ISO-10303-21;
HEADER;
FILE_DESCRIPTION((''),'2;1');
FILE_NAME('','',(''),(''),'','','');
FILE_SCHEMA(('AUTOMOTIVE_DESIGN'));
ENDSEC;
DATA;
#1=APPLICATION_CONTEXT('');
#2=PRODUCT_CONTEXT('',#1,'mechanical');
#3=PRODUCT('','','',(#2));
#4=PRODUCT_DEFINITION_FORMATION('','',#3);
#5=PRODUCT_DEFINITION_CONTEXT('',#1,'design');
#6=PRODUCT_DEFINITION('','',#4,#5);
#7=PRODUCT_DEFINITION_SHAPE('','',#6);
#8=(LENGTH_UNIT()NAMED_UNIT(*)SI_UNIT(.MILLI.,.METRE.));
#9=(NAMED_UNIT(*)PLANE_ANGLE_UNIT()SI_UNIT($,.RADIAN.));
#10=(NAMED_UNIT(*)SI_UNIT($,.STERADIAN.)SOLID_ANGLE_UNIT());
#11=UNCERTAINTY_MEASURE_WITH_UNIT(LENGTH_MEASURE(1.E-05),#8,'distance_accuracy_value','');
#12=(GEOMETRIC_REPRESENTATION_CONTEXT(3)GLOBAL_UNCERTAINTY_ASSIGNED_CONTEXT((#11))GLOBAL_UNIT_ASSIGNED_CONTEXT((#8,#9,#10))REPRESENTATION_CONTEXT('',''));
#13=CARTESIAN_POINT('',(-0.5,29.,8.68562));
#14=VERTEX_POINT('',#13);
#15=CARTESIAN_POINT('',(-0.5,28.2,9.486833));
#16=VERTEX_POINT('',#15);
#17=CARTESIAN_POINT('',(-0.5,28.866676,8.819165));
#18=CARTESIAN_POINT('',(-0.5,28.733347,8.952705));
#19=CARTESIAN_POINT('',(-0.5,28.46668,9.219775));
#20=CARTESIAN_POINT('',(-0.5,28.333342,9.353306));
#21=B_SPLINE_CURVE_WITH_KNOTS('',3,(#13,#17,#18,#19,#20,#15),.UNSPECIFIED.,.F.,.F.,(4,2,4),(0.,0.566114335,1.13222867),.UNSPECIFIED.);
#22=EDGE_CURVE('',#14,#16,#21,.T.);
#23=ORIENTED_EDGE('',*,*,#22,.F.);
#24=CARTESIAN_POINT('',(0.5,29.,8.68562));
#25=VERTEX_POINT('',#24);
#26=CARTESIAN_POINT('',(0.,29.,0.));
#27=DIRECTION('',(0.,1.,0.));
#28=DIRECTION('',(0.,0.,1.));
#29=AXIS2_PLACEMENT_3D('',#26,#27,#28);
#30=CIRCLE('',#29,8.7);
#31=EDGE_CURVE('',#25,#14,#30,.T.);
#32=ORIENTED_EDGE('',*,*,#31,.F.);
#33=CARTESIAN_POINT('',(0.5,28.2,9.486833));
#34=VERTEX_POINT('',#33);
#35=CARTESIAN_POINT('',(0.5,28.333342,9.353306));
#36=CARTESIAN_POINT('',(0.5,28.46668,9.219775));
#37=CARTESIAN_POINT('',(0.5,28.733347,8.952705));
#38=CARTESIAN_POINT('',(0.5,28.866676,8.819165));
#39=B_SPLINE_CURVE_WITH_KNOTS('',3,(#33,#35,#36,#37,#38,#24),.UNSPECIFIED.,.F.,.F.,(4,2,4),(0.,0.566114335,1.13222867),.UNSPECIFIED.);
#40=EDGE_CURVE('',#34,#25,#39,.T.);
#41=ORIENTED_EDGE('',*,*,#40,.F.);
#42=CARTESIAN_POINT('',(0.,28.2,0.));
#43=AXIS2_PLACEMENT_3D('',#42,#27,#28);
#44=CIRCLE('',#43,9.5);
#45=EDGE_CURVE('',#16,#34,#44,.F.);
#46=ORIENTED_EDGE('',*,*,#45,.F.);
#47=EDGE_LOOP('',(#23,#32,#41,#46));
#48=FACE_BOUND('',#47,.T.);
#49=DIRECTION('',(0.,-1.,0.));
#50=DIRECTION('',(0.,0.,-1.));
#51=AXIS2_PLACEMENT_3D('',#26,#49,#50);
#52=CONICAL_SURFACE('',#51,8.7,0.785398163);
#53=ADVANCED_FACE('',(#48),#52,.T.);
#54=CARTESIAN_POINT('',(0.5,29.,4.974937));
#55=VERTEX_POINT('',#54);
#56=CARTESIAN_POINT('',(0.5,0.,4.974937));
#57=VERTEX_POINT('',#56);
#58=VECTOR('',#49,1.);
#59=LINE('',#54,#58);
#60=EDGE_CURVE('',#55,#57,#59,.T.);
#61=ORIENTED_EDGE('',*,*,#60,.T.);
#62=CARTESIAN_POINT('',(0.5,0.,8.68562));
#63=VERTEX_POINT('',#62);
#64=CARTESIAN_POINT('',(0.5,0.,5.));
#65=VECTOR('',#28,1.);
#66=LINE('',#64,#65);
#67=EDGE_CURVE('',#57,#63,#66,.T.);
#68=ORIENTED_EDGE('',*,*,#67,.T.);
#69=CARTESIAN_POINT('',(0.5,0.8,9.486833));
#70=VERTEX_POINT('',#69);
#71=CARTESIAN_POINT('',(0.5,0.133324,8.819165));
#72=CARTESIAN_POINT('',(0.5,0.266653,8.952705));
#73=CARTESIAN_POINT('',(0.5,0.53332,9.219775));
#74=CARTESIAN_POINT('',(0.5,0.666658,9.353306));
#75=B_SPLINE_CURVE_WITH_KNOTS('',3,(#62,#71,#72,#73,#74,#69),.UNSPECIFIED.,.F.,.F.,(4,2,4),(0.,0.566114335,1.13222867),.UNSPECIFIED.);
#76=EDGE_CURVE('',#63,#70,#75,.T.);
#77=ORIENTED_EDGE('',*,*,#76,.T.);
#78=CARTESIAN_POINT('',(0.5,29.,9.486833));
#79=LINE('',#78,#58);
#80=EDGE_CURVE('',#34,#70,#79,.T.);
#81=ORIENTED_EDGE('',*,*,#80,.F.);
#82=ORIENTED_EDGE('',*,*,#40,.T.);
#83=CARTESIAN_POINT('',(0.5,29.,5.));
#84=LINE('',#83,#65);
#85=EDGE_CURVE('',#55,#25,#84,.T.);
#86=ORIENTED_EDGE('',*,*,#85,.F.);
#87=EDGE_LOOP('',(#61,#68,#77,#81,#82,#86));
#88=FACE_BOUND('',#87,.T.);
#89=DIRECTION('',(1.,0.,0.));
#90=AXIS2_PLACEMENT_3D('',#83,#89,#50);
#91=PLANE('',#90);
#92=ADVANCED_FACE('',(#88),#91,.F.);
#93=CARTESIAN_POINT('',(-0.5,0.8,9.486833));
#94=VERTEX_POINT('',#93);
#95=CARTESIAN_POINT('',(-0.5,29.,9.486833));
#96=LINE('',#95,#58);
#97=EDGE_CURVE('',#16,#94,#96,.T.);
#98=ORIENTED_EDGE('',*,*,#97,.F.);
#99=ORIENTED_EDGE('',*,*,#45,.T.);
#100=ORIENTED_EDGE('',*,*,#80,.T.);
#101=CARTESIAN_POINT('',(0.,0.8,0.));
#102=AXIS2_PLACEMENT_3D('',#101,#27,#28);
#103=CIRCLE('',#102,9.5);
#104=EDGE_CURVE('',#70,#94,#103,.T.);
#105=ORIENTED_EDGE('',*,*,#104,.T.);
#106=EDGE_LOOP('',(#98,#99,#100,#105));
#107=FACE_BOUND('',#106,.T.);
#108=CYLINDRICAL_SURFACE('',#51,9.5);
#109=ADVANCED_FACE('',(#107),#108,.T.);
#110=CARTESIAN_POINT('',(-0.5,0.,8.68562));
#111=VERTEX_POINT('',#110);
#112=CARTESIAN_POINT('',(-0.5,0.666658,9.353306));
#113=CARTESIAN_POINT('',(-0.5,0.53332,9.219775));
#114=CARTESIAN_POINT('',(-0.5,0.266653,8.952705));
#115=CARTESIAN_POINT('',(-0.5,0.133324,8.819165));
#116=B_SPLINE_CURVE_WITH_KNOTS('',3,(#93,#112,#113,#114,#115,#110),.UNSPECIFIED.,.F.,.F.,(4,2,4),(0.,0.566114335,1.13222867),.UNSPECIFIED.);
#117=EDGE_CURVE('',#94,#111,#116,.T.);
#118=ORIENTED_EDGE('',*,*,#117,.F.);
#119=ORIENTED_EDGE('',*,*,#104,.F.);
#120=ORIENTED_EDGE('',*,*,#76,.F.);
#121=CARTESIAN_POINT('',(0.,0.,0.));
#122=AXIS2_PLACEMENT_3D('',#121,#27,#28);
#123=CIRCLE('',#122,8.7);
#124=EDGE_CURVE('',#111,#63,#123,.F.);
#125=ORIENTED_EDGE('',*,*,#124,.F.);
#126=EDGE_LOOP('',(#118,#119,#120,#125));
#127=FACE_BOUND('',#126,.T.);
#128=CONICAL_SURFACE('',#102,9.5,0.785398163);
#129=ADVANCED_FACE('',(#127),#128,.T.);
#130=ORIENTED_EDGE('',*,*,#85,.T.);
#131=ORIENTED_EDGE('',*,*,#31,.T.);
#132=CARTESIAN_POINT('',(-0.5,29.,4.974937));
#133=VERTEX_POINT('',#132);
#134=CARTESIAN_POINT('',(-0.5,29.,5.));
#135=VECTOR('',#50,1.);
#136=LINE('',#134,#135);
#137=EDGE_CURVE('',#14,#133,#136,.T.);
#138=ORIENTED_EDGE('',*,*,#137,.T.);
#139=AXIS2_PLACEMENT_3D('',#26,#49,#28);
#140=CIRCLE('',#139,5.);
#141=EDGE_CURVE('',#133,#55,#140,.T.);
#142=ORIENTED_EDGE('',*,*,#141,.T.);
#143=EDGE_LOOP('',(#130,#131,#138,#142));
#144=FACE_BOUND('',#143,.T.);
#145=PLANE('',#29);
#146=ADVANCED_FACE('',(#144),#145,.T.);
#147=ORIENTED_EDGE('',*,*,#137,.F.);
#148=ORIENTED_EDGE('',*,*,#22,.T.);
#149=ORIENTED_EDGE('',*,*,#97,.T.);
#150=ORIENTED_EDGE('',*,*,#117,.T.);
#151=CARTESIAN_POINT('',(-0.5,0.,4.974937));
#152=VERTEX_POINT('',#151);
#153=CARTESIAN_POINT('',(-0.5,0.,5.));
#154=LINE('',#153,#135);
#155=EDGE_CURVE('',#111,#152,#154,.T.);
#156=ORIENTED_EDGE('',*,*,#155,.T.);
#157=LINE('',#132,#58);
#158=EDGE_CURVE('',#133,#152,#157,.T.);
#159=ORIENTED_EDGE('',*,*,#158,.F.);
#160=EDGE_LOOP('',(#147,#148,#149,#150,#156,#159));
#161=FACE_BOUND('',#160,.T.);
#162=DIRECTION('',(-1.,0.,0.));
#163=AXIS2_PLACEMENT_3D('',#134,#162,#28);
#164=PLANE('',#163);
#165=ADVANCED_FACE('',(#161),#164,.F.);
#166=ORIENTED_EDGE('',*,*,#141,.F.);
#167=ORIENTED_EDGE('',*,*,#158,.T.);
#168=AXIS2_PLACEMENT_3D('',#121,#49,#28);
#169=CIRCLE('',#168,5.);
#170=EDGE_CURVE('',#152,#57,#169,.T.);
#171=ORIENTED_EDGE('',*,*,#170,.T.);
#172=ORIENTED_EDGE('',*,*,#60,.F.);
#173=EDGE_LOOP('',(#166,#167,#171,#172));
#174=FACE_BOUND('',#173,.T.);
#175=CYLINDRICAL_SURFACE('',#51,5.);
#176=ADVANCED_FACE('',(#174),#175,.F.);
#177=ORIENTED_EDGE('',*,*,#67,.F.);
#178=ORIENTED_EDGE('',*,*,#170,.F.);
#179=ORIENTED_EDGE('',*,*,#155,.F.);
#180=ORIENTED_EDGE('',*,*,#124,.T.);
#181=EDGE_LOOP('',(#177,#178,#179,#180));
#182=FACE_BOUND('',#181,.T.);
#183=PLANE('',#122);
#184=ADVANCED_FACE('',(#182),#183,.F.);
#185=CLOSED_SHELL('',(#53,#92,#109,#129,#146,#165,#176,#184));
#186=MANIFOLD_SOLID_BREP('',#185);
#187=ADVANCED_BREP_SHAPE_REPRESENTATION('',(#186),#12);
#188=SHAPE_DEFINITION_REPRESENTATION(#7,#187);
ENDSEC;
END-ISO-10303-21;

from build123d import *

# Parameters (mm, degrees)
BOSS_EXTRUDE1_DEPTH = 29
CHAMFER1_SIZE       = 0.8


with BuildPart() as part:
    # Sketch1 → Boss-Extrude1 (new body)
    with BuildSketch(Plane(origin=(0, 0, 0), x_dir=(1, 0, 0), z_dir=(0, 1, 0))):
        with BuildLine():
            Line((-0.5, -5), (-0.5, -9.486832981))
            ThreePointArc((-0.5, -9.486832981), (0, 9.5), (0.5, -9.486832981))
            Line((0.5, -9.486832981), (0.5, -5))
            Line((0.5, -5), (0.5, -4.974937186))
            ThreePointArc((0.5, -4.974937186), (0, 5), (-0.5, -4.974937186))
            Line((-0.5, -4.974937186), (-0.5, -5))
        make_face()
    extrude(amount=BOSS_EXTRUDE1_DEPTH)

    # Chamfer1
    chamfer1_edges = [part.edges().sort_by_distance(p)[0] for p in [
        (0, 29, -9.5),
        (0, 0, -9.5),
    ]]
    chamfer(chamfer1_edges, length=CHAMFER1_SIZE)


solid = part.part
